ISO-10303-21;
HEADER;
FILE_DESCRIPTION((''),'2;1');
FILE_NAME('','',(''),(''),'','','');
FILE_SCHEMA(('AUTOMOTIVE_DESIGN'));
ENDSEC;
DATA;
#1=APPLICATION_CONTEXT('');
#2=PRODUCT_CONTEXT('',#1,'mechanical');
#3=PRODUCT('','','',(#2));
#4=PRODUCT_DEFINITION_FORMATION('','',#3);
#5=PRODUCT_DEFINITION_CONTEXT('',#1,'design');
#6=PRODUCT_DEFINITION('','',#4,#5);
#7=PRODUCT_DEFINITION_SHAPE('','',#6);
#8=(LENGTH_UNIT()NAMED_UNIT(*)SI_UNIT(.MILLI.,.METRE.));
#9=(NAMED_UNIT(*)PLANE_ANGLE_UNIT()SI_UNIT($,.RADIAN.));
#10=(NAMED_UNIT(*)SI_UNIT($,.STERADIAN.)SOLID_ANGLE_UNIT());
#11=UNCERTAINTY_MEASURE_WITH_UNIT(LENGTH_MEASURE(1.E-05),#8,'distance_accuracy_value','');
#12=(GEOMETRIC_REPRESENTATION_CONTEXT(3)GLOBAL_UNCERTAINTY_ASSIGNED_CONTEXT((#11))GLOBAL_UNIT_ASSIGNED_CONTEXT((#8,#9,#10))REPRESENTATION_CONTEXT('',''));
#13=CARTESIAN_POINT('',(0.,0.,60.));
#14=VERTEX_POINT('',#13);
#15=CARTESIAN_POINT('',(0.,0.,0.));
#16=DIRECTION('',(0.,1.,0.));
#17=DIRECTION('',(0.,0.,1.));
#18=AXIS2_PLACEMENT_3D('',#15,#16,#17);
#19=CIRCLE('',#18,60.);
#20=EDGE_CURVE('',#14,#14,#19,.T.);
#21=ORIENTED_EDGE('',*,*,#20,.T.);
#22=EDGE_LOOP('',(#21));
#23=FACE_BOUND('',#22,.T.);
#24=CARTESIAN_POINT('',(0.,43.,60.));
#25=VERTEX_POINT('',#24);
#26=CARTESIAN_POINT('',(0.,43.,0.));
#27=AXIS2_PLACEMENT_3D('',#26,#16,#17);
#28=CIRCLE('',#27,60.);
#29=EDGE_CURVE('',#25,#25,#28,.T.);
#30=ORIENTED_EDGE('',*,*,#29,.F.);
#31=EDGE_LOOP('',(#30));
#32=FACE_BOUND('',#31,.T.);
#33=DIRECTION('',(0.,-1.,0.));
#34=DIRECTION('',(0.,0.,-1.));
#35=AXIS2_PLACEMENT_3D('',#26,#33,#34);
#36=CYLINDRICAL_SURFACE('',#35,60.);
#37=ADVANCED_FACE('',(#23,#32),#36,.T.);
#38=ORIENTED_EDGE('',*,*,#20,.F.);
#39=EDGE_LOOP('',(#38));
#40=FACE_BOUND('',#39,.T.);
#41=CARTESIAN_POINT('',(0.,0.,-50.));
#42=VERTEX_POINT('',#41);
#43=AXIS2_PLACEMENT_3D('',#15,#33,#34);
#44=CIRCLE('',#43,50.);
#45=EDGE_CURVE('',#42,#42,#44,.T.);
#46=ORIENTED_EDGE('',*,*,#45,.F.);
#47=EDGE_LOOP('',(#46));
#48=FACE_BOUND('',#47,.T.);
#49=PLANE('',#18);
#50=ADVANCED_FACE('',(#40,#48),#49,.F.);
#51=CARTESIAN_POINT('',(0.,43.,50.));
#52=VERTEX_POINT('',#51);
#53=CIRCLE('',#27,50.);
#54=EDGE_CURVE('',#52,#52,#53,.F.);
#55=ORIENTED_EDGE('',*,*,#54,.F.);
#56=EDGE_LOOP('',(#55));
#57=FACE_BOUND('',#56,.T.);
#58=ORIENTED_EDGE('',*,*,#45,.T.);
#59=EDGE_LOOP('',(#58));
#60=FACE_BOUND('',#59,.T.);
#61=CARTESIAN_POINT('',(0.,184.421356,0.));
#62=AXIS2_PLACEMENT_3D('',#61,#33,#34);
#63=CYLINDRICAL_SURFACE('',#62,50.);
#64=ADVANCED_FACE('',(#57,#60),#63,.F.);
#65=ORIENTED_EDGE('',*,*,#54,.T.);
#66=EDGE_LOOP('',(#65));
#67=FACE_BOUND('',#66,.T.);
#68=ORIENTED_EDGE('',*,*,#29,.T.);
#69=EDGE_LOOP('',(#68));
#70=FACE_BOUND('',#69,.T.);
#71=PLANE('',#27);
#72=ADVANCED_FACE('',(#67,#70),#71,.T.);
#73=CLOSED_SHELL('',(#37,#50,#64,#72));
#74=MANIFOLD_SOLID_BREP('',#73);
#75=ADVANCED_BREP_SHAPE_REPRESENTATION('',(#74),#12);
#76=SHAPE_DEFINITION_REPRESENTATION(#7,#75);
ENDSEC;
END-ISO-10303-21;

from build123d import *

# Parameters (mm, degrees)
SKETCH1_R           = 60
BOSS_EXTRUDE1_DEPTH = 43
SKETCH2_R           = 50
CUT_EXTRUDE1_DEPTH  = 43


with BuildPart() as part:
    # Sketch1 → Boss-Extrude1 (new body)
    with BuildSketch(Plane(origin=(0, 0, 0), x_dir=(1, 0, 0), z_dir=(0, 1, 0))):
        with Locations(Location((0, 0, 0), (0, 0, 270))):
            Circle(SKETCH1_R)
    extrude(amount=BOSS_EXTRUDE1_DEPTH)

    # Sketch2 → Cut-Extrude1 (cut)
    with BuildSketch(Plane.XZ):
        with Locations(Location((0, 0, 0), (0, 0, 270))):
            Circle(SKETCH2_R)
    extrude(amount=-CUT_EXTRUDE1_DEPTH, mode=Mode.SUBTRACT)


solid = part.part
